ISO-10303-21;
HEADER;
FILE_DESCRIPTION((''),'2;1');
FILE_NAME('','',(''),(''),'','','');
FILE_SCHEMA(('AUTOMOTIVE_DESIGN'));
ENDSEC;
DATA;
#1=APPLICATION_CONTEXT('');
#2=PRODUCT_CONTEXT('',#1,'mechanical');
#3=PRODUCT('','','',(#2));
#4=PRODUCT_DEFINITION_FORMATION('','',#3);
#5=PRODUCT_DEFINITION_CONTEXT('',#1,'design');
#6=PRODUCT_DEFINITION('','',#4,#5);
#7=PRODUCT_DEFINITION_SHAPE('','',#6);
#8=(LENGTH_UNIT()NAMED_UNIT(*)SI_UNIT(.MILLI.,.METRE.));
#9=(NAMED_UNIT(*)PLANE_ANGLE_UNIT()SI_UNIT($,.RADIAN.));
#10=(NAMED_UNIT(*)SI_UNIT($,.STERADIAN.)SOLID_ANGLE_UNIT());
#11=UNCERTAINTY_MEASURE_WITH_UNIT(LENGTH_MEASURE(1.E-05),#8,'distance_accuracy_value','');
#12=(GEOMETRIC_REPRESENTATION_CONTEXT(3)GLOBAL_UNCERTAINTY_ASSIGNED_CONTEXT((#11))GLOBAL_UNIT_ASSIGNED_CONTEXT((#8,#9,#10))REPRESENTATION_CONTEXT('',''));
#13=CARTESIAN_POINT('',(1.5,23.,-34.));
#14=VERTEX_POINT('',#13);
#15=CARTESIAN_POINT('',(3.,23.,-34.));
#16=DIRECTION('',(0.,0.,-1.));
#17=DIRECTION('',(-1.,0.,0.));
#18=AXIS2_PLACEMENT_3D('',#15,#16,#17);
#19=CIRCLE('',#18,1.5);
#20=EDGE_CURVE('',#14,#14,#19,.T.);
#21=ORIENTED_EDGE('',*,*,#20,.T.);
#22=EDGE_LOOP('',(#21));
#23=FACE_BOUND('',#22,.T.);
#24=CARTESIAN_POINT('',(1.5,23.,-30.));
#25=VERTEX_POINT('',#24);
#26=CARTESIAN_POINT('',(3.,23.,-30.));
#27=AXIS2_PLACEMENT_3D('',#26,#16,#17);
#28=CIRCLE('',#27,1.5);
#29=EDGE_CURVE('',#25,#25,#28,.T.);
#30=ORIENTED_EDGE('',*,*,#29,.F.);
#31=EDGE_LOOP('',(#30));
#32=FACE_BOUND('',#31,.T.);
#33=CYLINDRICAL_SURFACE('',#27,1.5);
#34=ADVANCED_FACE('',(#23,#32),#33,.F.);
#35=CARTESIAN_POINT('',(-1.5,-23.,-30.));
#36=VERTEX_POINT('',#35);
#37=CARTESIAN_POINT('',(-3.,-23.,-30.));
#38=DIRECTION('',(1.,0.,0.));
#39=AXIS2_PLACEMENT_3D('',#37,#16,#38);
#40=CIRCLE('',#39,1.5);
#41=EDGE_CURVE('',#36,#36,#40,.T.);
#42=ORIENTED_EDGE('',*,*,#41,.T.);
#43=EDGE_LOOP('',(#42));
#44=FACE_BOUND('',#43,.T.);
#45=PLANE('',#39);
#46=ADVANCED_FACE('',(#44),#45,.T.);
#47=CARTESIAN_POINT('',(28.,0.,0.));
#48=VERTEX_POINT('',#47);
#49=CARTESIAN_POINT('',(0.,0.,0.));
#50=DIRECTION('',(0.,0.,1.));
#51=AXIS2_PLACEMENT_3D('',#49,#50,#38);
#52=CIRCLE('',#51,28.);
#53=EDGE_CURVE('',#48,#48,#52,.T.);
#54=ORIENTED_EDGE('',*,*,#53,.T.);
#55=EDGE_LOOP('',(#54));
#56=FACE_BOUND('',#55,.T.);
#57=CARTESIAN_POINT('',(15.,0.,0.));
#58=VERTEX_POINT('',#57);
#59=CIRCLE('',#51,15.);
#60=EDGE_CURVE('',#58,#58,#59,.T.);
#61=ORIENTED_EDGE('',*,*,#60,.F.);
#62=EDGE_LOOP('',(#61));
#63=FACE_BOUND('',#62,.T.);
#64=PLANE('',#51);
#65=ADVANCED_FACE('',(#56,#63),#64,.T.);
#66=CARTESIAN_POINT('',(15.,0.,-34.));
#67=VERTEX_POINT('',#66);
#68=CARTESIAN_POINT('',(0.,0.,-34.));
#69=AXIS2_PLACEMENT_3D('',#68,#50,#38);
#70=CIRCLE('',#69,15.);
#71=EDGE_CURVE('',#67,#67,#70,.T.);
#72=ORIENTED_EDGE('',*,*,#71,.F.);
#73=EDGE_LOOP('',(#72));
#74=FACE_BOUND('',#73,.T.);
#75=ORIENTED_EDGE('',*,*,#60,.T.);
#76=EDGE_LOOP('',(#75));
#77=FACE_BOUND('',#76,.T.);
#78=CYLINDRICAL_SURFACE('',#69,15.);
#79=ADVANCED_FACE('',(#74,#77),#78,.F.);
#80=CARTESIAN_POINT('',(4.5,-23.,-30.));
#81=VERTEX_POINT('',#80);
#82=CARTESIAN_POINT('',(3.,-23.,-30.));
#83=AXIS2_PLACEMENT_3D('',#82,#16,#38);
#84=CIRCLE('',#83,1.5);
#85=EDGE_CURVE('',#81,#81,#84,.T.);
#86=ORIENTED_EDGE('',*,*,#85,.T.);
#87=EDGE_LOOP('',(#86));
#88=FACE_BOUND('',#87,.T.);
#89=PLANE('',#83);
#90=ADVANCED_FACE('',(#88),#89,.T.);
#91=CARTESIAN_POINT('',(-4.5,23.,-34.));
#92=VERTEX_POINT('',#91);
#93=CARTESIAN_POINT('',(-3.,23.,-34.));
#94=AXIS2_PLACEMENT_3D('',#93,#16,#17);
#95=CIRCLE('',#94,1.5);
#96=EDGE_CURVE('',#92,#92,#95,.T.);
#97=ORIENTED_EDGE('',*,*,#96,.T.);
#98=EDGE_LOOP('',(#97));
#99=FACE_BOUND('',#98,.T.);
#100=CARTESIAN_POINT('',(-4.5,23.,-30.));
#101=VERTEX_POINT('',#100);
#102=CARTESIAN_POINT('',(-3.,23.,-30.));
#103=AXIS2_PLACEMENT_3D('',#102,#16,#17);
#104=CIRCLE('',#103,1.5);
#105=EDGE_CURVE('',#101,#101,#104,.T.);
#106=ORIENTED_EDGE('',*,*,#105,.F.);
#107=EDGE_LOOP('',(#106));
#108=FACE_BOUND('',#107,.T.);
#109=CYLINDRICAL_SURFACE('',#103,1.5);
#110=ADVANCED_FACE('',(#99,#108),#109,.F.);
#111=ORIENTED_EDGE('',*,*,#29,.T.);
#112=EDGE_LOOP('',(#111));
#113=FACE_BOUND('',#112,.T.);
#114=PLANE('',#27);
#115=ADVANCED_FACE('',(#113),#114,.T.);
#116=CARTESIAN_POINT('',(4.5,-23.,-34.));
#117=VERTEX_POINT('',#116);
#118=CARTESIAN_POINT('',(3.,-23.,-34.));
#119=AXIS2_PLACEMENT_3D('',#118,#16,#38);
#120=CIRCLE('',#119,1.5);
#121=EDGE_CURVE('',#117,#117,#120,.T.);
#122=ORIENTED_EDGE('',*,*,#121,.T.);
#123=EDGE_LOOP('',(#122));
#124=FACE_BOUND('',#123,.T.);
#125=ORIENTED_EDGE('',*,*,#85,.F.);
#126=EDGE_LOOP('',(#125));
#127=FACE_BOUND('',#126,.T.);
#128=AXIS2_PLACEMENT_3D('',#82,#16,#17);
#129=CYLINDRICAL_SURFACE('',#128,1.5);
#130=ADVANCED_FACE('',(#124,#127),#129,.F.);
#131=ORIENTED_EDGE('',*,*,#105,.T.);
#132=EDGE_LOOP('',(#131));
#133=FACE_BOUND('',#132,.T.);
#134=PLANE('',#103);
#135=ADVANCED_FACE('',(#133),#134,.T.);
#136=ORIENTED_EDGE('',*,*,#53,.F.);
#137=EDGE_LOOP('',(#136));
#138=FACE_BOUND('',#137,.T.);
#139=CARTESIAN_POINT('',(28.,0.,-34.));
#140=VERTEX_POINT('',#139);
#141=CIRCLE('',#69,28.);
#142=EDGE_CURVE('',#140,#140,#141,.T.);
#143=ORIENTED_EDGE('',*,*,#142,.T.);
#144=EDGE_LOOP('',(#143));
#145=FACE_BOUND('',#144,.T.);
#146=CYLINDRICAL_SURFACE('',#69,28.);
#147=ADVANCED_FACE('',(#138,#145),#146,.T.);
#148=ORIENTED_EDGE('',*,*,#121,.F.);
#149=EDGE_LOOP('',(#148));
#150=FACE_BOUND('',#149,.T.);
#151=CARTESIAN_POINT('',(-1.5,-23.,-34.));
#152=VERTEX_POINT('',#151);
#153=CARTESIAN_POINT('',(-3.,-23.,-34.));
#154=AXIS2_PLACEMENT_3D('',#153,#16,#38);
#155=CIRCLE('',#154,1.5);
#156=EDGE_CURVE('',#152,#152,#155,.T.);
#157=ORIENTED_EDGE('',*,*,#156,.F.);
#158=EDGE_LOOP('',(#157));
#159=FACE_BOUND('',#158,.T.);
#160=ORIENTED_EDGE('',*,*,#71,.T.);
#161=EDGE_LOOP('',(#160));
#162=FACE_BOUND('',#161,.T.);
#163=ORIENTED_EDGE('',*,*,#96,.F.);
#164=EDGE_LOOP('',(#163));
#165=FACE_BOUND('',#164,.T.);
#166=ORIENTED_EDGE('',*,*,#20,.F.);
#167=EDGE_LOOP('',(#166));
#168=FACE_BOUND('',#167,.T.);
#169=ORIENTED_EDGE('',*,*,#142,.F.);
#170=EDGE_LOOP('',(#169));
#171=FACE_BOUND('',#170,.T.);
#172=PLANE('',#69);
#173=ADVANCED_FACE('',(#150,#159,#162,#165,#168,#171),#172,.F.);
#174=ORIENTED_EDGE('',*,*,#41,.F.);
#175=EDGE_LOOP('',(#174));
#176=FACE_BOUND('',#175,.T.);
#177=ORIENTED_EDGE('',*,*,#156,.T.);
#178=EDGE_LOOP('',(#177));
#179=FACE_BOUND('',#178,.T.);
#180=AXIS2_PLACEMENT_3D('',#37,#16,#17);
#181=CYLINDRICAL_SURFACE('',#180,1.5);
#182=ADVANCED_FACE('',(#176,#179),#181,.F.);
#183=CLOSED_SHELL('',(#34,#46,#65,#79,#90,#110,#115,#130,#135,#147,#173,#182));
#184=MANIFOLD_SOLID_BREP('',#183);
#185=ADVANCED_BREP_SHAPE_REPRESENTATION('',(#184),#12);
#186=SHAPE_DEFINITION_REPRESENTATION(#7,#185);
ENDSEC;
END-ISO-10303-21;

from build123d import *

# Parameters (mm, degrees)
SKETCH1_R           = 28
SKETCH1_R_2         = 15
BOSS_EXTRUDE1_DEPTH = 34
SKETCH2_R           = 1.5
CUT_EXTRUDE1_DEPTH  = 4
CIRPATTERN1_COUNT   = 2


with BuildPart() as part:
    # Sketch1 → Boss-Extrude1 (new body)
    with BuildSketch(Plane.XY):
        Circle(SKETCH1_R)
        Circle(SKETCH1_R_2, mode=Mode.SUBTRACT)
    extrude(amount=-BOSS_EXTRUDE1_DEPTH)

    # Sketch2 → Cut-Extrude1 (cut)
    with BuildSketch(Plane(origin=(0, 0, -34), x_dir=(-1, 0, 0), z_dir=(0, 0, -1))):
        with Locations((3, 23)):
            Circle(SKETCH2_R)
        with Locations((-3, 23)):
            Circle(SKETCH2_R)
    cut_extrude1 = extrude(amount=-CUT_EXTRUDE1_DEPTH, mode=Mode.SUBTRACT)

    # CirPattern1: Cut-Extrude1 ×2 about axis
    cirpattern1_axis = Axis((0, 0, -34), (0, 0, 1))
    for i in range(1, CIRPATTERN1_COUNT):
        add(cut_extrude1.rotate(cirpattern1_axis, i * 360 / CIRPATTERN1_COUNT), mode=Mode.SUBTRACT)


solid = part.part
